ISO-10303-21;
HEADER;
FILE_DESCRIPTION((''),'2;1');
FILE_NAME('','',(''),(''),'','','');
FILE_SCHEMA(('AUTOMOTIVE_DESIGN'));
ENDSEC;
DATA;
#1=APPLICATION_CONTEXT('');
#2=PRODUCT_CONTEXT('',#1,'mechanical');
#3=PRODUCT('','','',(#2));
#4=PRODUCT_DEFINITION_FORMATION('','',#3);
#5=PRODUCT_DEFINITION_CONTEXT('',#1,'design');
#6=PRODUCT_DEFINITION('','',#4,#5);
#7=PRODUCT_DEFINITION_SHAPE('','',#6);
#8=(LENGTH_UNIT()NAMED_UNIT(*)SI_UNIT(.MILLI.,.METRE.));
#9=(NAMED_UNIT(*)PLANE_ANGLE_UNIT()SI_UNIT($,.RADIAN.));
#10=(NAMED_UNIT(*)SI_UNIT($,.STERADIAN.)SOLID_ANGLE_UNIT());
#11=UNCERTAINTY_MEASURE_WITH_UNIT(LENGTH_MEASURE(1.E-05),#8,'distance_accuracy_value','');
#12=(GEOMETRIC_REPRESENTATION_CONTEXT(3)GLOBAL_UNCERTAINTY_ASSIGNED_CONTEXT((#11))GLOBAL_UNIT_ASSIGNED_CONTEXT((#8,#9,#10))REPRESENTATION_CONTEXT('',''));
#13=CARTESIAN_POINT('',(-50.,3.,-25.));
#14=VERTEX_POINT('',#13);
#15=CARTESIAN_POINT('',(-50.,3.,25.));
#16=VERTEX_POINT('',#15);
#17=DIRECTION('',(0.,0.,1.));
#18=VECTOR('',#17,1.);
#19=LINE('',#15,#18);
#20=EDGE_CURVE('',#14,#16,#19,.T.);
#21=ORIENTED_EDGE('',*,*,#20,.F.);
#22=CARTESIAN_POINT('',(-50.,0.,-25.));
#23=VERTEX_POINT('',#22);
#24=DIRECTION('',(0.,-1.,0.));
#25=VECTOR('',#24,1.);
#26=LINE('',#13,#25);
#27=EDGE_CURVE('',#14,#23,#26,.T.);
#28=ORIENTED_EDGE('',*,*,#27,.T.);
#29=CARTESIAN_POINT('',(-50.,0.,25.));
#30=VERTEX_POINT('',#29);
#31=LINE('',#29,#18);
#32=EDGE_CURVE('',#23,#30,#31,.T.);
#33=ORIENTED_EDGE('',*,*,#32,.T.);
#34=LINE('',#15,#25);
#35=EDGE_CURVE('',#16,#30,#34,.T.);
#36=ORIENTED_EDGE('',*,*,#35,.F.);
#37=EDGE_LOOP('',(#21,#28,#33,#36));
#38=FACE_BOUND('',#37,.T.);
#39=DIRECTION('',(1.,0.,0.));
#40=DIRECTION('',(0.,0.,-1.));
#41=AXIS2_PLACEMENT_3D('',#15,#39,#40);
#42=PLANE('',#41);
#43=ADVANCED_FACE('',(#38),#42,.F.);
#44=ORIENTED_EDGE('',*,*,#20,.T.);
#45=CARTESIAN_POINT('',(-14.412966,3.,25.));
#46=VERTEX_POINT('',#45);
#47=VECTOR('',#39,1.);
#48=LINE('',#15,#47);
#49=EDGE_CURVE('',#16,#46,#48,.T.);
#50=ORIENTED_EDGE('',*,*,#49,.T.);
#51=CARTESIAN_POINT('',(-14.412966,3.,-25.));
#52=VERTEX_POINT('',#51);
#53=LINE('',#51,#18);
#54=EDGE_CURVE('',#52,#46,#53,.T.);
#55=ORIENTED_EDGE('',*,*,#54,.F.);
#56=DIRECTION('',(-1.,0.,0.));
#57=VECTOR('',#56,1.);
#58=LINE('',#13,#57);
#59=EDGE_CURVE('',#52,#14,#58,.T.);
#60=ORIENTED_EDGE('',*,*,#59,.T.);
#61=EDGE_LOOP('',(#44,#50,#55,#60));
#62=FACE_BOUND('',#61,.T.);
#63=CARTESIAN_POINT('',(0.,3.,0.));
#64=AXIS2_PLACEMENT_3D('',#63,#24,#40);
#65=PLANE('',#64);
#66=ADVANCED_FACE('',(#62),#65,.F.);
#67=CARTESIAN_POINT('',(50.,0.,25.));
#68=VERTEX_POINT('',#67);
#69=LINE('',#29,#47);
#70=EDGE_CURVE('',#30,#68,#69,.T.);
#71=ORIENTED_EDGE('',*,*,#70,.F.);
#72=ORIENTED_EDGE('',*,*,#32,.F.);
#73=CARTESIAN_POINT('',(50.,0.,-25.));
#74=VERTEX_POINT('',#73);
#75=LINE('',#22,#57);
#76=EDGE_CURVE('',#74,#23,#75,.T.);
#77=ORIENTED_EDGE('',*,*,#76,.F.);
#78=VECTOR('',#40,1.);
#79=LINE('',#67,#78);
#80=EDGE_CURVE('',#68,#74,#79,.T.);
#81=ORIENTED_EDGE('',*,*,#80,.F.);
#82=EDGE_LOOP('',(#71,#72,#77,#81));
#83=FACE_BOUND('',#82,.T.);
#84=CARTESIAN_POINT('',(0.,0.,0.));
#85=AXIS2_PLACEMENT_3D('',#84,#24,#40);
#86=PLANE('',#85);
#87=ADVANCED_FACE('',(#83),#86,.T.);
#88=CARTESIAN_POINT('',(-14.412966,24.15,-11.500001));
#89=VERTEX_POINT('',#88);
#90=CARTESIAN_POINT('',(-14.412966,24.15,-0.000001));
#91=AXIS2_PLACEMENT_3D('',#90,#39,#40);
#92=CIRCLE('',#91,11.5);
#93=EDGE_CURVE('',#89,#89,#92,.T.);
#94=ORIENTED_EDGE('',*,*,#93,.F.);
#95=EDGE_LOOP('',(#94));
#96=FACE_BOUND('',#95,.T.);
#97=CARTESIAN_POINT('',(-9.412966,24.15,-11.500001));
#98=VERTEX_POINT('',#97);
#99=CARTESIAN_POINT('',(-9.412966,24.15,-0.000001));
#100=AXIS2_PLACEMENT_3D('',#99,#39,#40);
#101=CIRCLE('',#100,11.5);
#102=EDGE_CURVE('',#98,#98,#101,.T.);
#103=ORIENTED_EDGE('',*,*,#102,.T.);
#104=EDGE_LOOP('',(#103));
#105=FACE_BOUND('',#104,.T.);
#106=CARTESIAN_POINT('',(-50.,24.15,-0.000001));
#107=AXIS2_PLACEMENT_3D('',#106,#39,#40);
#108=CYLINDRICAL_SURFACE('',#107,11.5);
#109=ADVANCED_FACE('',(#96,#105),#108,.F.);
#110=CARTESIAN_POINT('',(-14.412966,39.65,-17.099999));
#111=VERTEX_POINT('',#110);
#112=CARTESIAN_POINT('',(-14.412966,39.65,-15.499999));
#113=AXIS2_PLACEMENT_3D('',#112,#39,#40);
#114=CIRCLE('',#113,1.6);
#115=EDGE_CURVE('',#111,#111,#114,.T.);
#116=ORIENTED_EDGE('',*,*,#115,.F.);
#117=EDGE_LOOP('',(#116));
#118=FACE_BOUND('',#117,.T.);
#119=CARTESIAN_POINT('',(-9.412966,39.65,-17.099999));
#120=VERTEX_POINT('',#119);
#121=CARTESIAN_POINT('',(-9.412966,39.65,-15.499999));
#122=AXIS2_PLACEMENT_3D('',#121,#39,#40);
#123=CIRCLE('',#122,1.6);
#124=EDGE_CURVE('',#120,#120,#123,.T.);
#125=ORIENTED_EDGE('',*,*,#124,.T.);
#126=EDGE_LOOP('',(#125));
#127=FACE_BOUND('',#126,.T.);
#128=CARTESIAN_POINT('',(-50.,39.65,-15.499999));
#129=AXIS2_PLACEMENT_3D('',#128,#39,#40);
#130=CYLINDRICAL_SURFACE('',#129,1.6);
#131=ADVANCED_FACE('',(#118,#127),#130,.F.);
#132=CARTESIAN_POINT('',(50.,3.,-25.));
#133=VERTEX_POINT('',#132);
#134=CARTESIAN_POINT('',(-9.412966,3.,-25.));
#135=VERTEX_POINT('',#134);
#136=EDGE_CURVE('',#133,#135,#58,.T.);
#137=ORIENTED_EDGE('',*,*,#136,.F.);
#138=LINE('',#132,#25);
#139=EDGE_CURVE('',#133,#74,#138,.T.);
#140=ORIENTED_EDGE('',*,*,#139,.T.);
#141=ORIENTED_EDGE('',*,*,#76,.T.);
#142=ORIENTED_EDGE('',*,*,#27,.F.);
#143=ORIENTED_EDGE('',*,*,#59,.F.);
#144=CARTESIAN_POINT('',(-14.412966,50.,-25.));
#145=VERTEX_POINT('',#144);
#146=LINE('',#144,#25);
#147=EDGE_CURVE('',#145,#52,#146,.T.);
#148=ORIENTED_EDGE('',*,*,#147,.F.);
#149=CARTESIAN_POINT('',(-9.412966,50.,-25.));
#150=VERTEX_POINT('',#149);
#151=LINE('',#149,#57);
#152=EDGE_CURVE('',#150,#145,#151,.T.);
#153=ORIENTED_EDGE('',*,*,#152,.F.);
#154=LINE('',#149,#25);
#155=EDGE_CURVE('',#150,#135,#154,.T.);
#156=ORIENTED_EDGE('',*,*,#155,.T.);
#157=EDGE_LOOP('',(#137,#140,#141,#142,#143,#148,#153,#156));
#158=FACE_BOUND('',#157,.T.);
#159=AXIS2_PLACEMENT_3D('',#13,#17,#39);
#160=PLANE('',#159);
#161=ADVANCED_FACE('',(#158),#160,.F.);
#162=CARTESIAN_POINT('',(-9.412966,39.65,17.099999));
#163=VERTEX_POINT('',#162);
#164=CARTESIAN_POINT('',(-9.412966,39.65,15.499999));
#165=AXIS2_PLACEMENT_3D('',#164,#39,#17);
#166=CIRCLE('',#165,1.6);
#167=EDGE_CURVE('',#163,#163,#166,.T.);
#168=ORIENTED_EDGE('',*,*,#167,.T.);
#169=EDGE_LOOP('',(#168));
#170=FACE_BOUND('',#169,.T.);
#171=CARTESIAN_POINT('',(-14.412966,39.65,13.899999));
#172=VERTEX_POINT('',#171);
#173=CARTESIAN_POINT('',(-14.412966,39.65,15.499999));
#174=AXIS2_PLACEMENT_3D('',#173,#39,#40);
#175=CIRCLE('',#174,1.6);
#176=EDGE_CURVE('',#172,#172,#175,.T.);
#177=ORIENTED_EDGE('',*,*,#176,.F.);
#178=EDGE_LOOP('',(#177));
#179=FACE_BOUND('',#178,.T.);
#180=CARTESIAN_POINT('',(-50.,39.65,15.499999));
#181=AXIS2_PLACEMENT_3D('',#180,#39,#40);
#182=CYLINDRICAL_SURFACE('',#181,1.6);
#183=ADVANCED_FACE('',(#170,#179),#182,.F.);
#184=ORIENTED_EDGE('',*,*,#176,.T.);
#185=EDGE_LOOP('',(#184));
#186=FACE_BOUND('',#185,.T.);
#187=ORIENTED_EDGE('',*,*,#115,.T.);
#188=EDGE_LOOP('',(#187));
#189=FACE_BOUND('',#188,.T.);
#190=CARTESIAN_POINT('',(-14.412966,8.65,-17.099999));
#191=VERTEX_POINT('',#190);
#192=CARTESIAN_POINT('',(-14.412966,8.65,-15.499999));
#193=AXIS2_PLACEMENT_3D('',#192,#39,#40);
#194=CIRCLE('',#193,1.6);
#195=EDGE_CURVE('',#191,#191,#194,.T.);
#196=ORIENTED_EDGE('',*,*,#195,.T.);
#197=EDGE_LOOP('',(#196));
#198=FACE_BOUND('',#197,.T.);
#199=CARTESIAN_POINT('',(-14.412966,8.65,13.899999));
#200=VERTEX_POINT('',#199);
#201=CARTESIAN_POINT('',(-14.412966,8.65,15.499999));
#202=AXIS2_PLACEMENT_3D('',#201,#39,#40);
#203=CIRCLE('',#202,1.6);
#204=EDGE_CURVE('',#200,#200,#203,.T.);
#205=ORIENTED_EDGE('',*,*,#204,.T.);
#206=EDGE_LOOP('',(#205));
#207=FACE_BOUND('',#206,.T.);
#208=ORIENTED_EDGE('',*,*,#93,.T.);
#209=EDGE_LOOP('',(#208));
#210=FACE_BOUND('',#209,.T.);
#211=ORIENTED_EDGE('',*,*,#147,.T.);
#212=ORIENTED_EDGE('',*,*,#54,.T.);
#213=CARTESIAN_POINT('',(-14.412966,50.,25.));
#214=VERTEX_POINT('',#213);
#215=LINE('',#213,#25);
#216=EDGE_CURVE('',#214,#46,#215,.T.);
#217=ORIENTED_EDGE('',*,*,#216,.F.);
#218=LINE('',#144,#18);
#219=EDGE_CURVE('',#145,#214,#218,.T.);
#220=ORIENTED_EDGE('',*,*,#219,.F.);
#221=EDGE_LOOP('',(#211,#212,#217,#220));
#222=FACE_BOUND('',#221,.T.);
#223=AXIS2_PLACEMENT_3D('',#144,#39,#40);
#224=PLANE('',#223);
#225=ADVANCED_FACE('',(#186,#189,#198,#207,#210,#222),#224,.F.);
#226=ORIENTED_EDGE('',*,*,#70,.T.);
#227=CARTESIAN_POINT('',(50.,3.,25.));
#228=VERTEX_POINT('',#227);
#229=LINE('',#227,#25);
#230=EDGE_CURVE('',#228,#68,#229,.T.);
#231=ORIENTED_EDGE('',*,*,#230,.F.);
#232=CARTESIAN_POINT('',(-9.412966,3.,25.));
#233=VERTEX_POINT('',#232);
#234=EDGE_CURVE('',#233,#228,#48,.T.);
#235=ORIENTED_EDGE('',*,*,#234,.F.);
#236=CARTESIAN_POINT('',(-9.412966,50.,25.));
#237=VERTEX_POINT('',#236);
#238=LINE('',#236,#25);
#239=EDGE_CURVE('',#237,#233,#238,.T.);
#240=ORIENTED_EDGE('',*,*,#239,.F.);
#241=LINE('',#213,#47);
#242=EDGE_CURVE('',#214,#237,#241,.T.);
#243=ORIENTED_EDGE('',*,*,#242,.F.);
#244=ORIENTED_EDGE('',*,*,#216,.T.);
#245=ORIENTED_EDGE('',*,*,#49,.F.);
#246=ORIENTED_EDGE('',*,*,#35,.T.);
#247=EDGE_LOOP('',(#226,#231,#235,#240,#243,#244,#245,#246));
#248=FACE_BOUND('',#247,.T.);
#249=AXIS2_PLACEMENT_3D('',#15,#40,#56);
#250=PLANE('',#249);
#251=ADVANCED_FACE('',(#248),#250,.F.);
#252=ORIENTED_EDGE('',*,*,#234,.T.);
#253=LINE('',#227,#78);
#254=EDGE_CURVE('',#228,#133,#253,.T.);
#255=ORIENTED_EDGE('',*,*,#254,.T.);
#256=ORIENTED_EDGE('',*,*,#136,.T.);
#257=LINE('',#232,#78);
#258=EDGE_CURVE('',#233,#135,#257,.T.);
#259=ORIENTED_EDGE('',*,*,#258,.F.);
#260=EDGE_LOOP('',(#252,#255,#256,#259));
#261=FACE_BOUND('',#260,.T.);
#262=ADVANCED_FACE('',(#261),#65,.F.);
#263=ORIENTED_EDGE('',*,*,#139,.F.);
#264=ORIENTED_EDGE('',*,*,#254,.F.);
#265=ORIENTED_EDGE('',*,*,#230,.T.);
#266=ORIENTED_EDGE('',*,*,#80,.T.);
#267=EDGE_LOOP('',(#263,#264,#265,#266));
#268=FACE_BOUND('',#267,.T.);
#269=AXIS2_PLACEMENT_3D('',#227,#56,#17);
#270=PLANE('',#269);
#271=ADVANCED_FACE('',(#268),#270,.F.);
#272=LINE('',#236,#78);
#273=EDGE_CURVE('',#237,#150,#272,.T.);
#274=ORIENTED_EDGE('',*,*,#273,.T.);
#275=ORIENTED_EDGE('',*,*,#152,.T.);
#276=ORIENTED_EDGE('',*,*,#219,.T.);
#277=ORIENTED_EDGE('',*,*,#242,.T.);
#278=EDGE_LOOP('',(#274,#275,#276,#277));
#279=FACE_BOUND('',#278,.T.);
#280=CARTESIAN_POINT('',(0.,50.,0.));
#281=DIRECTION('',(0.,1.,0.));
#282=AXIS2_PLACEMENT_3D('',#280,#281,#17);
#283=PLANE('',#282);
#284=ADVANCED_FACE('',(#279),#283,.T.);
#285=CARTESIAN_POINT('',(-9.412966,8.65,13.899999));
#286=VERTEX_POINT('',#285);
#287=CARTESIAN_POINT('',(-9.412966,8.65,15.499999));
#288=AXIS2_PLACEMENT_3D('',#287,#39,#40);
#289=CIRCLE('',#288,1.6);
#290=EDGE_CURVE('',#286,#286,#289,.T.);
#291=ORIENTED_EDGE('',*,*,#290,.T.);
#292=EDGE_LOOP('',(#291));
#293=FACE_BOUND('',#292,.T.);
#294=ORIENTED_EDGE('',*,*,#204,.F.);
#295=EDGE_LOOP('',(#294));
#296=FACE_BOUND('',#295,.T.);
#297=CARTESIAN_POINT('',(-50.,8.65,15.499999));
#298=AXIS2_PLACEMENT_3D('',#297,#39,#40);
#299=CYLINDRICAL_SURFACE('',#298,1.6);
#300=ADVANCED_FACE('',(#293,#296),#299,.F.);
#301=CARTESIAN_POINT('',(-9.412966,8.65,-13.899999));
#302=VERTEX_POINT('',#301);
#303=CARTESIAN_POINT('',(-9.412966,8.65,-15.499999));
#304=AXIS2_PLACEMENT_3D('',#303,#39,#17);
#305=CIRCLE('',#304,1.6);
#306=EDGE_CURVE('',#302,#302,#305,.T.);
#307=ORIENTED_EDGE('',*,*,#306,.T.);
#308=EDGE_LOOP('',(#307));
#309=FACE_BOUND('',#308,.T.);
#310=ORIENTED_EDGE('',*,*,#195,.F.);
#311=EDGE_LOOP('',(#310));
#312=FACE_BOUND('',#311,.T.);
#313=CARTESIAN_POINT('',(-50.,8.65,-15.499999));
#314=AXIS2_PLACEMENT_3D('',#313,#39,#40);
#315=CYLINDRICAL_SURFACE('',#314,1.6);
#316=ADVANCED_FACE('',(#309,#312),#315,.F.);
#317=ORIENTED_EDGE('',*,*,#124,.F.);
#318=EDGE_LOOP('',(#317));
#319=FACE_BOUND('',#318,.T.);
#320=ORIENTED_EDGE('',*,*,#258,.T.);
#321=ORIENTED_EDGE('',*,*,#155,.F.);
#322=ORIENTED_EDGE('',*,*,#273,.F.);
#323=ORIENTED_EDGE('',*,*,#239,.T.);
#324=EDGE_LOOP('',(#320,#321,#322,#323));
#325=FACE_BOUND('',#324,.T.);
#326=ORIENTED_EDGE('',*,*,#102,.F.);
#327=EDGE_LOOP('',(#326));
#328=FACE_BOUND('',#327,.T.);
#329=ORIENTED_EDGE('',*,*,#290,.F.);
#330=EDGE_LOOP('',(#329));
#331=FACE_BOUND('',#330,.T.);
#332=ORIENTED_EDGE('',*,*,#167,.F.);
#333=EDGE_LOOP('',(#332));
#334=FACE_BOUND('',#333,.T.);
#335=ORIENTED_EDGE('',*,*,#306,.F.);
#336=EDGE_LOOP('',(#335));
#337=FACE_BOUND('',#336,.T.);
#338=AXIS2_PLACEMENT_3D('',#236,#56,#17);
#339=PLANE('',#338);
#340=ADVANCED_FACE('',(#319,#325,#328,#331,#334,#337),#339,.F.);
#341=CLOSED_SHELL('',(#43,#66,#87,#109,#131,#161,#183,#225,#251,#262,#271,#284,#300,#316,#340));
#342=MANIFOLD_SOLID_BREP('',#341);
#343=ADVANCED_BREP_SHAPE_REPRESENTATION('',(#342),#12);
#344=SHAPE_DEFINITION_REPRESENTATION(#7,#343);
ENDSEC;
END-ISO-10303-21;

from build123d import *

# Parameters (mm, degrees)
SKETCH1_W           = 100
SKETCH1_H           = 50
BOSS_EXTRUDE1_DEPTH = 3
SKETCH2_W           = 5
SKETCH2_H           = 50
BOSS_EXTRUDE3_DEPTH = 47
SKETCH8_R           = 11.5
CUT_EXTRUDE3_DEPTH  = 82.577573944
SKETCH9_R           = 1.6
CUT_EXTRUDE4_DEPTH  = 82.577573944


with BuildPart() as part:
    # Sketch1 → Boss-Extrude1 (new body)
    with BuildSketch(Plane(origin=(0, 0, 0), x_dir=(1, 0, 0), z_dir=(0, 1, 0))):
        Rectangle(SKETCH1_W, SKETCH1_H)
    extrude(amount=BOSS_EXTRUDE1_DEPTH)

    # Sketch2 → Boss-Extrude3 (add)
    with BuildSketch(Plane(origin=(0, 3, 0), x_dir=(1, 0, 0), z_dir=(0, 1, 0))):
        with Locations((-11.912966351, 0)):
            Rectangle(SKETCH2_W, SKETCH2_H)
    extrude(amount=BOSS_EXTRUDE3_DEPTH)

    # Sketch8 → Cut-Extrude3 (cut, through all)
    with BuildSketch(Plane(origin=(-9.412966351, 0, 0), x_dir=(0, 0, -1), z_dir=(1, 0, 0))):
        with Locations((1.43e-06, 24.15)):
            Circle(SKETCH8_R)
    extrude(amount=-CUT_EXTRUDE3_DEPTH, mode=Mode.SUBTRACT)

    # Sketch9 → Cut-Extrude4 (cut, through all)
    with BuildSketch(Plane(origin=(-9.412966351, 0, 0), x_dir=(0, 0, -1), z_dir=(1, 0, 0))):
        with Locations((-15.49999857, 8.65)):
            Circle(SKETCH9_R)
        with Locations((-15.49999857, 39.65)):
            Circle(SKETCH9_R)
        with Locations((15.49999857, 39.65)):
            Circle(SKETCH9_R)
        with Locations((15.49999857, 8.65)):
            Circle(SKETCH9_R)
    extrude(amount=-CUT_EXTRUDE4_DEPTH, mode=Mode.SUBTRACT)


solid = part.part
